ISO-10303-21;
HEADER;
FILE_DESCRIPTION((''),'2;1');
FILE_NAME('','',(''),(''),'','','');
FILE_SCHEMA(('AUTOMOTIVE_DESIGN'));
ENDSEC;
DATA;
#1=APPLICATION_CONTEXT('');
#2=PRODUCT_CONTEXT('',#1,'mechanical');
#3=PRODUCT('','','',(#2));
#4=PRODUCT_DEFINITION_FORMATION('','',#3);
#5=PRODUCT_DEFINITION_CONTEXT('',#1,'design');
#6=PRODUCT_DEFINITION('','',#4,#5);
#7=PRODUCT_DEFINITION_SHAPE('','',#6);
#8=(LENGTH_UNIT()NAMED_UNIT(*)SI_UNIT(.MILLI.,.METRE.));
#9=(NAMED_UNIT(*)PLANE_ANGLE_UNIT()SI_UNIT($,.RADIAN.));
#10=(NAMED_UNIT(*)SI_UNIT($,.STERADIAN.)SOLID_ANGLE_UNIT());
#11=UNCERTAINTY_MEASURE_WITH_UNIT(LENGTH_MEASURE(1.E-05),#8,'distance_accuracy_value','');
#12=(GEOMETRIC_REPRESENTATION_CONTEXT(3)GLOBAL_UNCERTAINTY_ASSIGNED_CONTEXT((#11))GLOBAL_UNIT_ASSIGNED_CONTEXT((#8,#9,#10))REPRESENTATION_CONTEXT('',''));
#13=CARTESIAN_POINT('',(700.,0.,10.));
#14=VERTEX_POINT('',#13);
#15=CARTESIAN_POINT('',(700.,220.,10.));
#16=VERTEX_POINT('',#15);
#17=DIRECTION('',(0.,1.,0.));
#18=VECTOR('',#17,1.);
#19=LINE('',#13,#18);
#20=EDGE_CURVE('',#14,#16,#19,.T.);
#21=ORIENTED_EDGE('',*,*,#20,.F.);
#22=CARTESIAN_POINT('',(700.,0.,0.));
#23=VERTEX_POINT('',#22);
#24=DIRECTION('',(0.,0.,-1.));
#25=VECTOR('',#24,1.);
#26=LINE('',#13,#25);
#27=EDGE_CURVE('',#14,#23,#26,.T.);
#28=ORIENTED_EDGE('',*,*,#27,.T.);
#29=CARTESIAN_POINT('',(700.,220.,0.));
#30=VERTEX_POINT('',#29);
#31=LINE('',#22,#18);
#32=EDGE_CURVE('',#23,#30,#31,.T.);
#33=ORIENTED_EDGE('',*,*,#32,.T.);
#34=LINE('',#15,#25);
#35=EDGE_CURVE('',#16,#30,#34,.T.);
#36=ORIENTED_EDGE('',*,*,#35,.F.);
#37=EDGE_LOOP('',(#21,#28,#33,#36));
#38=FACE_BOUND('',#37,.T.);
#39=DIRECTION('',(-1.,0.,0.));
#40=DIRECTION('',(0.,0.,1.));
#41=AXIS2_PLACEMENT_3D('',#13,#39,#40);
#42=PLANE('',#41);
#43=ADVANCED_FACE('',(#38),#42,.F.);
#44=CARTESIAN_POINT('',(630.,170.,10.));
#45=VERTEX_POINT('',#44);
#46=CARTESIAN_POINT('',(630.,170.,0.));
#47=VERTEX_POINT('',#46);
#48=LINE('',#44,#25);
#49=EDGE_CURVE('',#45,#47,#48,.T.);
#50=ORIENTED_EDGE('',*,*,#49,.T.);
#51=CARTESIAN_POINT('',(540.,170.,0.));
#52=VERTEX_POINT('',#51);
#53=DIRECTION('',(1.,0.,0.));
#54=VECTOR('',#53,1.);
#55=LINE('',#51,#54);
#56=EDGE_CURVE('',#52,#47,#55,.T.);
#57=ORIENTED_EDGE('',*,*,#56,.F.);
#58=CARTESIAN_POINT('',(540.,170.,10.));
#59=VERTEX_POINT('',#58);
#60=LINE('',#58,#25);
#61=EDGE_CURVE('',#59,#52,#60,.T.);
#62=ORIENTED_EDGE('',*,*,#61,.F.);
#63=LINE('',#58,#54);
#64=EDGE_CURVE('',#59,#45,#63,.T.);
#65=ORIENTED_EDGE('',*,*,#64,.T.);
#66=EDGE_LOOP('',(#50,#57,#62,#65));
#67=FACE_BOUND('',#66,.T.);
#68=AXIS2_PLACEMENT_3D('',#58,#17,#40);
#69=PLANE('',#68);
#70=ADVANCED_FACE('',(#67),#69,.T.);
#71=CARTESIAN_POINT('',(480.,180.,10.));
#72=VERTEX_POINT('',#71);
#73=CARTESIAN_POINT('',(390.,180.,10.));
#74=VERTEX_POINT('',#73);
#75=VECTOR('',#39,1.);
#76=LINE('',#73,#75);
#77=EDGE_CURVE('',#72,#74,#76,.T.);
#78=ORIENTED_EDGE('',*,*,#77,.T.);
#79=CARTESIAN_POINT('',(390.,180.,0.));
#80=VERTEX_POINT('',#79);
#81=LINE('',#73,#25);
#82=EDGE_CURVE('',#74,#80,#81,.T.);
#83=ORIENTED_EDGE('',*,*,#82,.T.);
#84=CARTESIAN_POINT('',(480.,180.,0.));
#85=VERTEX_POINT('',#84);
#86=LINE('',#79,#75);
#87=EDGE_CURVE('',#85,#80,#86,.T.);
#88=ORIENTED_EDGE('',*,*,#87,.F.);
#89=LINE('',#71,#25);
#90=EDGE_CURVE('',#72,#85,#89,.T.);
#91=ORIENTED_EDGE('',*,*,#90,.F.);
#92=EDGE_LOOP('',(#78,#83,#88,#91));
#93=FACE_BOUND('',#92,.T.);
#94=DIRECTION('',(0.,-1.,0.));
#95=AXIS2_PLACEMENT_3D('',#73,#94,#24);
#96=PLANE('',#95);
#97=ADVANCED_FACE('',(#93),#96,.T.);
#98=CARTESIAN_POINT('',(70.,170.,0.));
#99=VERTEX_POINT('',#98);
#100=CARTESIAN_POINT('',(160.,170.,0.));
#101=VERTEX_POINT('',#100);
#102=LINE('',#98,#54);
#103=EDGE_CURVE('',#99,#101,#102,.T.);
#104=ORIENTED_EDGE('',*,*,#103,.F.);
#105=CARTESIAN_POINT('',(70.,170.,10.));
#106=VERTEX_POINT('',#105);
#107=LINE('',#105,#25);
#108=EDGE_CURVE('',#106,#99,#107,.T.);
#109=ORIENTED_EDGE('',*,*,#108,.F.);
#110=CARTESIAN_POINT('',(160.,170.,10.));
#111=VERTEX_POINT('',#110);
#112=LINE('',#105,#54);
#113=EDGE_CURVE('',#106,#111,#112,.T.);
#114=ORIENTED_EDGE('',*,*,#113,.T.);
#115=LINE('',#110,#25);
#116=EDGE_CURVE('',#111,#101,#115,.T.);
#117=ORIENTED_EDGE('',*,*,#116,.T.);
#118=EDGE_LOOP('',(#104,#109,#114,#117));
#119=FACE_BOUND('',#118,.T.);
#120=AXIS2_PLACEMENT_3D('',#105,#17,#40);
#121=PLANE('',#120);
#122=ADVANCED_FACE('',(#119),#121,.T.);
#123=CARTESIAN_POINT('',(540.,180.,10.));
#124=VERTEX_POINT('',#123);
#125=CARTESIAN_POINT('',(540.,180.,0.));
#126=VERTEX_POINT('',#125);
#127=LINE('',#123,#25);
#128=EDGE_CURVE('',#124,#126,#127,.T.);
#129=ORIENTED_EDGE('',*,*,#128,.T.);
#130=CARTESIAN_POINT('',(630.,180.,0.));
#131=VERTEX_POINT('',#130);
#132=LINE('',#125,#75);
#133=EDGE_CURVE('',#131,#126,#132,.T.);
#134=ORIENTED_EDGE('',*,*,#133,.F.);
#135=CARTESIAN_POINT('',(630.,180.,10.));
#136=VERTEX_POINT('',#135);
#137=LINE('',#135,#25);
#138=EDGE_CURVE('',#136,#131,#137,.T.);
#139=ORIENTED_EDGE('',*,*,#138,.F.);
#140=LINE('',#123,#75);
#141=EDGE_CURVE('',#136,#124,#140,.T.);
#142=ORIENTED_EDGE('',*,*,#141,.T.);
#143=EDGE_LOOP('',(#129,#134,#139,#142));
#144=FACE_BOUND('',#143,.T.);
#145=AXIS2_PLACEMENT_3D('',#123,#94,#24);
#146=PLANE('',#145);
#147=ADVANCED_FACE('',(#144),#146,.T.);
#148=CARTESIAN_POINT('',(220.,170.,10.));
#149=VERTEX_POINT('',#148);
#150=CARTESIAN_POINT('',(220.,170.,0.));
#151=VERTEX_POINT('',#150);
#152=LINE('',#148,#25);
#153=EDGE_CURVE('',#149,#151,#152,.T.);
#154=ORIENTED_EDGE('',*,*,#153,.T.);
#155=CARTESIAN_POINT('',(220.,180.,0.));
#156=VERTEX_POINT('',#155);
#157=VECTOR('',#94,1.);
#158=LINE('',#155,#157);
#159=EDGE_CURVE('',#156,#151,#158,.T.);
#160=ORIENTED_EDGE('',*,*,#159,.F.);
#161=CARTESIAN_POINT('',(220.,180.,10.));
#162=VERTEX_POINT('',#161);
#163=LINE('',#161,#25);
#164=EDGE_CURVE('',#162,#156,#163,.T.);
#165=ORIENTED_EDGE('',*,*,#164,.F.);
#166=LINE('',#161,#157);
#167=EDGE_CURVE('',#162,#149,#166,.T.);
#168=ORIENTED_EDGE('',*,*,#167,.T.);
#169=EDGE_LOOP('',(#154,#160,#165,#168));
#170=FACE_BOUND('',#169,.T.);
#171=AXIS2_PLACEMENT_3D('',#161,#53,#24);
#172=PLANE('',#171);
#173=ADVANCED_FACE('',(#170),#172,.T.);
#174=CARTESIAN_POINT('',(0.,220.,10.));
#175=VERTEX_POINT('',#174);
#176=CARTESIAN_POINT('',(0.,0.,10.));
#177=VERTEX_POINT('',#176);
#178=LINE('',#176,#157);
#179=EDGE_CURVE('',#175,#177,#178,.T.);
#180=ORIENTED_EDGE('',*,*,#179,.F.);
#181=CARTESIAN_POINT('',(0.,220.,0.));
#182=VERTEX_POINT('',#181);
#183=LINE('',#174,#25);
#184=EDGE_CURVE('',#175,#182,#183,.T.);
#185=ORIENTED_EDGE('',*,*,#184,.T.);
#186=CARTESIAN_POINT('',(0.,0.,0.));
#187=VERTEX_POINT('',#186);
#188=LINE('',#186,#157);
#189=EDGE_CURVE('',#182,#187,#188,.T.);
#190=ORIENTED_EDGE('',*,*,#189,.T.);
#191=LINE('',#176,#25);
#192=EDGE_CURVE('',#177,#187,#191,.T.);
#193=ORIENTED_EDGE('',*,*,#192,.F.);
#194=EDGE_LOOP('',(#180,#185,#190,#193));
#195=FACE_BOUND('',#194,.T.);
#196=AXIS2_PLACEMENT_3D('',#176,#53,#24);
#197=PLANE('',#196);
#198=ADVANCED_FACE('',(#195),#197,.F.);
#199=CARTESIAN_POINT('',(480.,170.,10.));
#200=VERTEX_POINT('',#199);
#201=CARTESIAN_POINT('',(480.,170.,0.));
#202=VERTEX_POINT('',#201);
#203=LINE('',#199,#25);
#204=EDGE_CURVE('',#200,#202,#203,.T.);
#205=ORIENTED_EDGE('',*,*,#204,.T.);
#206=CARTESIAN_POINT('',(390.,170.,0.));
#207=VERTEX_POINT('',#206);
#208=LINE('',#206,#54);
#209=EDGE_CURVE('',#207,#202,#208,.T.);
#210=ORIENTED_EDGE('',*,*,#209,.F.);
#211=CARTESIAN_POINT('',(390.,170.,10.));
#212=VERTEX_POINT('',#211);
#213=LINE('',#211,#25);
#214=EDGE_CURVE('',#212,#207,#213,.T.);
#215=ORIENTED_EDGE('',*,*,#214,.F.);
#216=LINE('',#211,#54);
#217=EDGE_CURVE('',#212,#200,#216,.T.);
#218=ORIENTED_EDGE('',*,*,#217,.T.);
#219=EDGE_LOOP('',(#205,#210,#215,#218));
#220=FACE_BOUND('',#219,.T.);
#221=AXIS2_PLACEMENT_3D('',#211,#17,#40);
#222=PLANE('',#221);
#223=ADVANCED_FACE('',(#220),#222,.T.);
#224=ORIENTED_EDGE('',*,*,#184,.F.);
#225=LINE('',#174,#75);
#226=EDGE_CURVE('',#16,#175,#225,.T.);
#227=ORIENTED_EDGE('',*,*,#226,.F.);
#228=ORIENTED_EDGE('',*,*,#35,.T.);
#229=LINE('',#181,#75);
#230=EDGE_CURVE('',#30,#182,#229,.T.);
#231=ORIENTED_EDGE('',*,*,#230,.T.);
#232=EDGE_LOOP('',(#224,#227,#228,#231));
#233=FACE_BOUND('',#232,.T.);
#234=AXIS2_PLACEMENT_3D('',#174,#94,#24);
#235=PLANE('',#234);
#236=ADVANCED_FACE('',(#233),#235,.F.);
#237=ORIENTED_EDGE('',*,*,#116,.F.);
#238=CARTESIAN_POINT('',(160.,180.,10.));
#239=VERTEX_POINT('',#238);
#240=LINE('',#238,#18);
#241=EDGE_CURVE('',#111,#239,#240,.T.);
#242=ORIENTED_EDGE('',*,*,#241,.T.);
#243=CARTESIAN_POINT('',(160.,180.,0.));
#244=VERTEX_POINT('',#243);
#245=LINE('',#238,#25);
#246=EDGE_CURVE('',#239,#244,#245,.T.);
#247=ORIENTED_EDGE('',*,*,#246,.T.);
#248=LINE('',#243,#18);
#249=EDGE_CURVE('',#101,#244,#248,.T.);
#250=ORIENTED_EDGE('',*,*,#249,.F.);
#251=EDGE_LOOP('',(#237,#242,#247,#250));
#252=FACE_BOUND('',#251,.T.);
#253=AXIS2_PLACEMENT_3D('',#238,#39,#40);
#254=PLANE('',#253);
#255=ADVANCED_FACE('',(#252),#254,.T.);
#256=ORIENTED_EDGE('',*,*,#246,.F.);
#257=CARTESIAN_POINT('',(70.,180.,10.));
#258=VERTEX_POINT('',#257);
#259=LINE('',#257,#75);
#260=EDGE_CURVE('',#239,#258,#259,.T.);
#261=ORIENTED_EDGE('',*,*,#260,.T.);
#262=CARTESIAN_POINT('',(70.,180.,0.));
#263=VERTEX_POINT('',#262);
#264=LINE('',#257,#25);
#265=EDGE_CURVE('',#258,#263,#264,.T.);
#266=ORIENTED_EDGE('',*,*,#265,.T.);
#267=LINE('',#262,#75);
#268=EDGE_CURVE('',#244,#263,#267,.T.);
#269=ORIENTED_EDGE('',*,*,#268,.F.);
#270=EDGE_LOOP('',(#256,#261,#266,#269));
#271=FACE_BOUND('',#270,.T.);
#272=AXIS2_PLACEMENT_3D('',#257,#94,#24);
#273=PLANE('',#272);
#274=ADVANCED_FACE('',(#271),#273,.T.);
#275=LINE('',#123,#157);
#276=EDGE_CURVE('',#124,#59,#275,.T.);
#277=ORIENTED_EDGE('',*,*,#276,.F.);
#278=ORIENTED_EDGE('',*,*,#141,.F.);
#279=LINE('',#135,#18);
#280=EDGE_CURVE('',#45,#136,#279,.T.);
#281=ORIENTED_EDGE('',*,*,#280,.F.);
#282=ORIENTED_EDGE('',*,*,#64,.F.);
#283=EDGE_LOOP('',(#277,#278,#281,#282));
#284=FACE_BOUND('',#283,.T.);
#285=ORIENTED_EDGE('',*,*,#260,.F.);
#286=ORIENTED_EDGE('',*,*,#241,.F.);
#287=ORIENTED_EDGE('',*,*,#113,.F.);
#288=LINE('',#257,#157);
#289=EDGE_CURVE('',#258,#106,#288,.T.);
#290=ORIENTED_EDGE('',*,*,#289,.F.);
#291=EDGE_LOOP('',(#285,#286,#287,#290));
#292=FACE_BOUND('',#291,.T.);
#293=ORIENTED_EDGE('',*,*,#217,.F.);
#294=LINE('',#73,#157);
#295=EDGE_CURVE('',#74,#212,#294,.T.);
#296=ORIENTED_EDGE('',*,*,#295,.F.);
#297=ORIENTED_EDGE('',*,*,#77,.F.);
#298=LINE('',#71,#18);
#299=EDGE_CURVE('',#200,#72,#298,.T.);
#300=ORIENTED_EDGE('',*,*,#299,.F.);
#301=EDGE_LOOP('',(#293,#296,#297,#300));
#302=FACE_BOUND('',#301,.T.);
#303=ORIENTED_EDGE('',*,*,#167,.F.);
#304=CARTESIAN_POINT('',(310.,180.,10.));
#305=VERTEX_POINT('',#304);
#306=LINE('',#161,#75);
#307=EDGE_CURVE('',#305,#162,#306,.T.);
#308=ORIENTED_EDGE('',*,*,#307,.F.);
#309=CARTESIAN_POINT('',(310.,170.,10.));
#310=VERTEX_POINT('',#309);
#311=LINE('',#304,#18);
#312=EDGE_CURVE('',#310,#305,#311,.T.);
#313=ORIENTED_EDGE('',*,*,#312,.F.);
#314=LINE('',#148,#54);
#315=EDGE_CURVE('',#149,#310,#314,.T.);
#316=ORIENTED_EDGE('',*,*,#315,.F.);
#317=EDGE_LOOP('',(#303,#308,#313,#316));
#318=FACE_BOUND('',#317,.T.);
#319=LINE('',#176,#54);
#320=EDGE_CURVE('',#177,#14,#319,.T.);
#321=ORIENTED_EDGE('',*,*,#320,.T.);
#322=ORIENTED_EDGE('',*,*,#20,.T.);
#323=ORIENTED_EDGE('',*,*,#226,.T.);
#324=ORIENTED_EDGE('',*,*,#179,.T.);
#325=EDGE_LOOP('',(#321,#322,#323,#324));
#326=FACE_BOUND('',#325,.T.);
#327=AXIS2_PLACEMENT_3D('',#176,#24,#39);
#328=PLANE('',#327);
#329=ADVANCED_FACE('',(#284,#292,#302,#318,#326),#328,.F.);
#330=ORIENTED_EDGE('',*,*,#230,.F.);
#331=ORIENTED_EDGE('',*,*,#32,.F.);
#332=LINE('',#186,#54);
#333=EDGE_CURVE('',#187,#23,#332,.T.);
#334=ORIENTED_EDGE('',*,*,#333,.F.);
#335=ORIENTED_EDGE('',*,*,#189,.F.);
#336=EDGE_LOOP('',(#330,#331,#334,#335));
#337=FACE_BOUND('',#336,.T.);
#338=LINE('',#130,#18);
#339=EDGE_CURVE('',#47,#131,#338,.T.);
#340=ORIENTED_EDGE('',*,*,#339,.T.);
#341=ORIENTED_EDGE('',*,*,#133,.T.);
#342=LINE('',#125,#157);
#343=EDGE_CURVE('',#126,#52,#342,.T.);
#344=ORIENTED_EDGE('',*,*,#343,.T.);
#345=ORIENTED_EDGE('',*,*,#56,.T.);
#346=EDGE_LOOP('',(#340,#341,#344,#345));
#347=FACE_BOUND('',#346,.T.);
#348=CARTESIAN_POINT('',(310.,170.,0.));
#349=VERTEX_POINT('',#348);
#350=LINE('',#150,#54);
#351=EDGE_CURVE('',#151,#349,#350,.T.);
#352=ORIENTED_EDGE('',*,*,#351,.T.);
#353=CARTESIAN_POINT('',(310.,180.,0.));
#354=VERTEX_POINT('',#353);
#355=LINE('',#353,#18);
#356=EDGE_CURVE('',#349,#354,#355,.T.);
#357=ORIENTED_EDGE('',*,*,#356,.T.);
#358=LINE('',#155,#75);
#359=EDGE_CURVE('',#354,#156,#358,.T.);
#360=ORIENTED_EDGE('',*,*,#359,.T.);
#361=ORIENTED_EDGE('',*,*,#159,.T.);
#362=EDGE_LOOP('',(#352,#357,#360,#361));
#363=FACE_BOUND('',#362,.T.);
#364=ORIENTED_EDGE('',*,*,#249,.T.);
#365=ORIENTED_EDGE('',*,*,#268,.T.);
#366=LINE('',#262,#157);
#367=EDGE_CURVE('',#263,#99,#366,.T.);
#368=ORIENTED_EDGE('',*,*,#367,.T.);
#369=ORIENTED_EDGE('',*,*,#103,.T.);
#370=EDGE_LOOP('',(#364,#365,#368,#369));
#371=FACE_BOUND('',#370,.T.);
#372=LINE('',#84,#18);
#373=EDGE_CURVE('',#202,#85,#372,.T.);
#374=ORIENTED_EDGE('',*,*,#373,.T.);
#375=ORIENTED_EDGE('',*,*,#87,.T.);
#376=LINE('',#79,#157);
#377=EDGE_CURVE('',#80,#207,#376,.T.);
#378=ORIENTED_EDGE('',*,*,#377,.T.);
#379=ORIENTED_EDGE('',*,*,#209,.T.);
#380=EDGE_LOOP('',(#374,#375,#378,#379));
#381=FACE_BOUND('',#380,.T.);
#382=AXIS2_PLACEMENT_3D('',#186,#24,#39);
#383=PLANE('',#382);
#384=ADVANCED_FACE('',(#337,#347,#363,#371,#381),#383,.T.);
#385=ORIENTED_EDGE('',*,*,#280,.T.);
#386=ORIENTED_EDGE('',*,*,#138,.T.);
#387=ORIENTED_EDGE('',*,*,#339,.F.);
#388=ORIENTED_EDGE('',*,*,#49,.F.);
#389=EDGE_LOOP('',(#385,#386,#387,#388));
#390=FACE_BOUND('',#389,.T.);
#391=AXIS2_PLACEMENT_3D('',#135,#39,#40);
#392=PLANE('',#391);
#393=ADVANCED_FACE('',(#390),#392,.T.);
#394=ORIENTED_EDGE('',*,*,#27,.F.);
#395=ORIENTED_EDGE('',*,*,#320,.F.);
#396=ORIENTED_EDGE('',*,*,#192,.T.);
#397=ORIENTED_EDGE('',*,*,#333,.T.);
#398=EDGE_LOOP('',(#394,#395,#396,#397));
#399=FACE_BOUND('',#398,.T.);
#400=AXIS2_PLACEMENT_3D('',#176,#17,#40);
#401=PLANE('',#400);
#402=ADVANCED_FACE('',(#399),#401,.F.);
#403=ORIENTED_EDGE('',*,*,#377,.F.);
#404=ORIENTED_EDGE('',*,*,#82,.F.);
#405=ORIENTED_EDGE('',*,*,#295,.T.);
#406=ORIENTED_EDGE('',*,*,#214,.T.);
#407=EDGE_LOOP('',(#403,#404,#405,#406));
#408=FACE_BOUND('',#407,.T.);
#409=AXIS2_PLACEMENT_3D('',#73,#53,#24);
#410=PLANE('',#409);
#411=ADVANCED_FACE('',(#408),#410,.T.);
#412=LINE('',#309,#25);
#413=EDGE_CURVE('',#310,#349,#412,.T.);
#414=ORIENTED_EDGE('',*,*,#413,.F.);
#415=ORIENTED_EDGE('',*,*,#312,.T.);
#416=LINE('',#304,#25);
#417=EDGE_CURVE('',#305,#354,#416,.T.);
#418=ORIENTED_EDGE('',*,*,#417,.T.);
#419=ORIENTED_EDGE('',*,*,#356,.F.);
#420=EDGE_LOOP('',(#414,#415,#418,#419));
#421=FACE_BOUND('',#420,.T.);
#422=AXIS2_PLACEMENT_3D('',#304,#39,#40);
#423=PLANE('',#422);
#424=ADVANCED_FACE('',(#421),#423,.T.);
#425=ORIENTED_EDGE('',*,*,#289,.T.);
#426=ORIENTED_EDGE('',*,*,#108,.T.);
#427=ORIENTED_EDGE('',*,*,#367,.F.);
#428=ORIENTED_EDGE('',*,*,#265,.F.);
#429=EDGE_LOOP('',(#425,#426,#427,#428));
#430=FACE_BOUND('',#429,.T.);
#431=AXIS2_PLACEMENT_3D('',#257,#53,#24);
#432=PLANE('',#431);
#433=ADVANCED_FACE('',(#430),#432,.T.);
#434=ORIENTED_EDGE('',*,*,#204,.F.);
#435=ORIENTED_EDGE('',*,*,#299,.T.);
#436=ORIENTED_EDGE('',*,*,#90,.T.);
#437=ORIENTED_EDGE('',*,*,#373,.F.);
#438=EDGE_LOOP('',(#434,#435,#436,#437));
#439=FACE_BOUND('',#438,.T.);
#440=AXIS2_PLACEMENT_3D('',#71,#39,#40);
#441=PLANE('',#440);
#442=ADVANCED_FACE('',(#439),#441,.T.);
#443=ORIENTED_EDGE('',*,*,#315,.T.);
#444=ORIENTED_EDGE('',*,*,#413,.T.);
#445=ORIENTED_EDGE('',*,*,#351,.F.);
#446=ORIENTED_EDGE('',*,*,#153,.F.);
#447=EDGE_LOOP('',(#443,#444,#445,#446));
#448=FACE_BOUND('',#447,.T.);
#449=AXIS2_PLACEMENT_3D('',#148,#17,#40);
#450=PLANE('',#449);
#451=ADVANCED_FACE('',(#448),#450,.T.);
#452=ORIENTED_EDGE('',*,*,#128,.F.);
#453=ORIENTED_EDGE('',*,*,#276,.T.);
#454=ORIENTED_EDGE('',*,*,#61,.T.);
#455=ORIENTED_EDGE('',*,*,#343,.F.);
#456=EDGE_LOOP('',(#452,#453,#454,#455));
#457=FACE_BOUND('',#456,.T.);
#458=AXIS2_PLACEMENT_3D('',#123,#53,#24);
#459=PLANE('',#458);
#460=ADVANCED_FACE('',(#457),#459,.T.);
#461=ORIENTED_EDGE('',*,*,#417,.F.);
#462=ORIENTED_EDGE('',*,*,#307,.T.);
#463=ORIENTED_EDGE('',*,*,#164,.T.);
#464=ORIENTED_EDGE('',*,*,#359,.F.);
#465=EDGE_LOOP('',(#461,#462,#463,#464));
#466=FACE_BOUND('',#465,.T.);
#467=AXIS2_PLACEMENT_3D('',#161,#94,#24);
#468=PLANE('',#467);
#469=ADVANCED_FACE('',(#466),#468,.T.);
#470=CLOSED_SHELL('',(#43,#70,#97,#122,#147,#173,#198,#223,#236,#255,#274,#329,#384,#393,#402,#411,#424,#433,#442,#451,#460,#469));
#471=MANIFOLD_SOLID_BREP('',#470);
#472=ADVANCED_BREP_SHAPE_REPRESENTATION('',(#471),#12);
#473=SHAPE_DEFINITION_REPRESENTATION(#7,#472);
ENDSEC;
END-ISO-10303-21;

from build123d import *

# Parameters (mm, degrees)
ESQUISSE1_W        = 700
ESQUISSE1_H        = 220
ESQUISSE1_W_2      = 90
ESQUISSE1_H_2      = 10
BOSS_EXTRU_1_DEPTH = 10


with BuildPart() as part:
    # Esquisse1 → Boss.-Extru.1 (new body)
    with BuildSketch(Plane.XY):
        with Locations((350, 110)):
            Rectangle(ESQUISSE1_W, ESQUISSE1_H)
        with Locations((265, 175)):
            Rectangle(ESQUISSE1_W_2, ESQUISSE1_H_2, mode=Mode.SUBTRACT)
        with Locations((435, 175)):
            Rectangle(ESQUISSE1_W_2, ESQUISSE1_H_2, mode=Mode.SUBTRACT)
        with Locations((585, 175)):
            Rectangle(ESQUISSE1_W_2, ESQUISSE1_H_2, mode=Mode.SUBTRACT)
        with Locations((115, 175)):
            Rectangle(ESQUISSE1_W_2, ESQUISSE1_H_2, mode=Mode.SUBTRACT)
    extrude(amount=BOSS_EXTRU_1_DEPTH)


solid = part.part
